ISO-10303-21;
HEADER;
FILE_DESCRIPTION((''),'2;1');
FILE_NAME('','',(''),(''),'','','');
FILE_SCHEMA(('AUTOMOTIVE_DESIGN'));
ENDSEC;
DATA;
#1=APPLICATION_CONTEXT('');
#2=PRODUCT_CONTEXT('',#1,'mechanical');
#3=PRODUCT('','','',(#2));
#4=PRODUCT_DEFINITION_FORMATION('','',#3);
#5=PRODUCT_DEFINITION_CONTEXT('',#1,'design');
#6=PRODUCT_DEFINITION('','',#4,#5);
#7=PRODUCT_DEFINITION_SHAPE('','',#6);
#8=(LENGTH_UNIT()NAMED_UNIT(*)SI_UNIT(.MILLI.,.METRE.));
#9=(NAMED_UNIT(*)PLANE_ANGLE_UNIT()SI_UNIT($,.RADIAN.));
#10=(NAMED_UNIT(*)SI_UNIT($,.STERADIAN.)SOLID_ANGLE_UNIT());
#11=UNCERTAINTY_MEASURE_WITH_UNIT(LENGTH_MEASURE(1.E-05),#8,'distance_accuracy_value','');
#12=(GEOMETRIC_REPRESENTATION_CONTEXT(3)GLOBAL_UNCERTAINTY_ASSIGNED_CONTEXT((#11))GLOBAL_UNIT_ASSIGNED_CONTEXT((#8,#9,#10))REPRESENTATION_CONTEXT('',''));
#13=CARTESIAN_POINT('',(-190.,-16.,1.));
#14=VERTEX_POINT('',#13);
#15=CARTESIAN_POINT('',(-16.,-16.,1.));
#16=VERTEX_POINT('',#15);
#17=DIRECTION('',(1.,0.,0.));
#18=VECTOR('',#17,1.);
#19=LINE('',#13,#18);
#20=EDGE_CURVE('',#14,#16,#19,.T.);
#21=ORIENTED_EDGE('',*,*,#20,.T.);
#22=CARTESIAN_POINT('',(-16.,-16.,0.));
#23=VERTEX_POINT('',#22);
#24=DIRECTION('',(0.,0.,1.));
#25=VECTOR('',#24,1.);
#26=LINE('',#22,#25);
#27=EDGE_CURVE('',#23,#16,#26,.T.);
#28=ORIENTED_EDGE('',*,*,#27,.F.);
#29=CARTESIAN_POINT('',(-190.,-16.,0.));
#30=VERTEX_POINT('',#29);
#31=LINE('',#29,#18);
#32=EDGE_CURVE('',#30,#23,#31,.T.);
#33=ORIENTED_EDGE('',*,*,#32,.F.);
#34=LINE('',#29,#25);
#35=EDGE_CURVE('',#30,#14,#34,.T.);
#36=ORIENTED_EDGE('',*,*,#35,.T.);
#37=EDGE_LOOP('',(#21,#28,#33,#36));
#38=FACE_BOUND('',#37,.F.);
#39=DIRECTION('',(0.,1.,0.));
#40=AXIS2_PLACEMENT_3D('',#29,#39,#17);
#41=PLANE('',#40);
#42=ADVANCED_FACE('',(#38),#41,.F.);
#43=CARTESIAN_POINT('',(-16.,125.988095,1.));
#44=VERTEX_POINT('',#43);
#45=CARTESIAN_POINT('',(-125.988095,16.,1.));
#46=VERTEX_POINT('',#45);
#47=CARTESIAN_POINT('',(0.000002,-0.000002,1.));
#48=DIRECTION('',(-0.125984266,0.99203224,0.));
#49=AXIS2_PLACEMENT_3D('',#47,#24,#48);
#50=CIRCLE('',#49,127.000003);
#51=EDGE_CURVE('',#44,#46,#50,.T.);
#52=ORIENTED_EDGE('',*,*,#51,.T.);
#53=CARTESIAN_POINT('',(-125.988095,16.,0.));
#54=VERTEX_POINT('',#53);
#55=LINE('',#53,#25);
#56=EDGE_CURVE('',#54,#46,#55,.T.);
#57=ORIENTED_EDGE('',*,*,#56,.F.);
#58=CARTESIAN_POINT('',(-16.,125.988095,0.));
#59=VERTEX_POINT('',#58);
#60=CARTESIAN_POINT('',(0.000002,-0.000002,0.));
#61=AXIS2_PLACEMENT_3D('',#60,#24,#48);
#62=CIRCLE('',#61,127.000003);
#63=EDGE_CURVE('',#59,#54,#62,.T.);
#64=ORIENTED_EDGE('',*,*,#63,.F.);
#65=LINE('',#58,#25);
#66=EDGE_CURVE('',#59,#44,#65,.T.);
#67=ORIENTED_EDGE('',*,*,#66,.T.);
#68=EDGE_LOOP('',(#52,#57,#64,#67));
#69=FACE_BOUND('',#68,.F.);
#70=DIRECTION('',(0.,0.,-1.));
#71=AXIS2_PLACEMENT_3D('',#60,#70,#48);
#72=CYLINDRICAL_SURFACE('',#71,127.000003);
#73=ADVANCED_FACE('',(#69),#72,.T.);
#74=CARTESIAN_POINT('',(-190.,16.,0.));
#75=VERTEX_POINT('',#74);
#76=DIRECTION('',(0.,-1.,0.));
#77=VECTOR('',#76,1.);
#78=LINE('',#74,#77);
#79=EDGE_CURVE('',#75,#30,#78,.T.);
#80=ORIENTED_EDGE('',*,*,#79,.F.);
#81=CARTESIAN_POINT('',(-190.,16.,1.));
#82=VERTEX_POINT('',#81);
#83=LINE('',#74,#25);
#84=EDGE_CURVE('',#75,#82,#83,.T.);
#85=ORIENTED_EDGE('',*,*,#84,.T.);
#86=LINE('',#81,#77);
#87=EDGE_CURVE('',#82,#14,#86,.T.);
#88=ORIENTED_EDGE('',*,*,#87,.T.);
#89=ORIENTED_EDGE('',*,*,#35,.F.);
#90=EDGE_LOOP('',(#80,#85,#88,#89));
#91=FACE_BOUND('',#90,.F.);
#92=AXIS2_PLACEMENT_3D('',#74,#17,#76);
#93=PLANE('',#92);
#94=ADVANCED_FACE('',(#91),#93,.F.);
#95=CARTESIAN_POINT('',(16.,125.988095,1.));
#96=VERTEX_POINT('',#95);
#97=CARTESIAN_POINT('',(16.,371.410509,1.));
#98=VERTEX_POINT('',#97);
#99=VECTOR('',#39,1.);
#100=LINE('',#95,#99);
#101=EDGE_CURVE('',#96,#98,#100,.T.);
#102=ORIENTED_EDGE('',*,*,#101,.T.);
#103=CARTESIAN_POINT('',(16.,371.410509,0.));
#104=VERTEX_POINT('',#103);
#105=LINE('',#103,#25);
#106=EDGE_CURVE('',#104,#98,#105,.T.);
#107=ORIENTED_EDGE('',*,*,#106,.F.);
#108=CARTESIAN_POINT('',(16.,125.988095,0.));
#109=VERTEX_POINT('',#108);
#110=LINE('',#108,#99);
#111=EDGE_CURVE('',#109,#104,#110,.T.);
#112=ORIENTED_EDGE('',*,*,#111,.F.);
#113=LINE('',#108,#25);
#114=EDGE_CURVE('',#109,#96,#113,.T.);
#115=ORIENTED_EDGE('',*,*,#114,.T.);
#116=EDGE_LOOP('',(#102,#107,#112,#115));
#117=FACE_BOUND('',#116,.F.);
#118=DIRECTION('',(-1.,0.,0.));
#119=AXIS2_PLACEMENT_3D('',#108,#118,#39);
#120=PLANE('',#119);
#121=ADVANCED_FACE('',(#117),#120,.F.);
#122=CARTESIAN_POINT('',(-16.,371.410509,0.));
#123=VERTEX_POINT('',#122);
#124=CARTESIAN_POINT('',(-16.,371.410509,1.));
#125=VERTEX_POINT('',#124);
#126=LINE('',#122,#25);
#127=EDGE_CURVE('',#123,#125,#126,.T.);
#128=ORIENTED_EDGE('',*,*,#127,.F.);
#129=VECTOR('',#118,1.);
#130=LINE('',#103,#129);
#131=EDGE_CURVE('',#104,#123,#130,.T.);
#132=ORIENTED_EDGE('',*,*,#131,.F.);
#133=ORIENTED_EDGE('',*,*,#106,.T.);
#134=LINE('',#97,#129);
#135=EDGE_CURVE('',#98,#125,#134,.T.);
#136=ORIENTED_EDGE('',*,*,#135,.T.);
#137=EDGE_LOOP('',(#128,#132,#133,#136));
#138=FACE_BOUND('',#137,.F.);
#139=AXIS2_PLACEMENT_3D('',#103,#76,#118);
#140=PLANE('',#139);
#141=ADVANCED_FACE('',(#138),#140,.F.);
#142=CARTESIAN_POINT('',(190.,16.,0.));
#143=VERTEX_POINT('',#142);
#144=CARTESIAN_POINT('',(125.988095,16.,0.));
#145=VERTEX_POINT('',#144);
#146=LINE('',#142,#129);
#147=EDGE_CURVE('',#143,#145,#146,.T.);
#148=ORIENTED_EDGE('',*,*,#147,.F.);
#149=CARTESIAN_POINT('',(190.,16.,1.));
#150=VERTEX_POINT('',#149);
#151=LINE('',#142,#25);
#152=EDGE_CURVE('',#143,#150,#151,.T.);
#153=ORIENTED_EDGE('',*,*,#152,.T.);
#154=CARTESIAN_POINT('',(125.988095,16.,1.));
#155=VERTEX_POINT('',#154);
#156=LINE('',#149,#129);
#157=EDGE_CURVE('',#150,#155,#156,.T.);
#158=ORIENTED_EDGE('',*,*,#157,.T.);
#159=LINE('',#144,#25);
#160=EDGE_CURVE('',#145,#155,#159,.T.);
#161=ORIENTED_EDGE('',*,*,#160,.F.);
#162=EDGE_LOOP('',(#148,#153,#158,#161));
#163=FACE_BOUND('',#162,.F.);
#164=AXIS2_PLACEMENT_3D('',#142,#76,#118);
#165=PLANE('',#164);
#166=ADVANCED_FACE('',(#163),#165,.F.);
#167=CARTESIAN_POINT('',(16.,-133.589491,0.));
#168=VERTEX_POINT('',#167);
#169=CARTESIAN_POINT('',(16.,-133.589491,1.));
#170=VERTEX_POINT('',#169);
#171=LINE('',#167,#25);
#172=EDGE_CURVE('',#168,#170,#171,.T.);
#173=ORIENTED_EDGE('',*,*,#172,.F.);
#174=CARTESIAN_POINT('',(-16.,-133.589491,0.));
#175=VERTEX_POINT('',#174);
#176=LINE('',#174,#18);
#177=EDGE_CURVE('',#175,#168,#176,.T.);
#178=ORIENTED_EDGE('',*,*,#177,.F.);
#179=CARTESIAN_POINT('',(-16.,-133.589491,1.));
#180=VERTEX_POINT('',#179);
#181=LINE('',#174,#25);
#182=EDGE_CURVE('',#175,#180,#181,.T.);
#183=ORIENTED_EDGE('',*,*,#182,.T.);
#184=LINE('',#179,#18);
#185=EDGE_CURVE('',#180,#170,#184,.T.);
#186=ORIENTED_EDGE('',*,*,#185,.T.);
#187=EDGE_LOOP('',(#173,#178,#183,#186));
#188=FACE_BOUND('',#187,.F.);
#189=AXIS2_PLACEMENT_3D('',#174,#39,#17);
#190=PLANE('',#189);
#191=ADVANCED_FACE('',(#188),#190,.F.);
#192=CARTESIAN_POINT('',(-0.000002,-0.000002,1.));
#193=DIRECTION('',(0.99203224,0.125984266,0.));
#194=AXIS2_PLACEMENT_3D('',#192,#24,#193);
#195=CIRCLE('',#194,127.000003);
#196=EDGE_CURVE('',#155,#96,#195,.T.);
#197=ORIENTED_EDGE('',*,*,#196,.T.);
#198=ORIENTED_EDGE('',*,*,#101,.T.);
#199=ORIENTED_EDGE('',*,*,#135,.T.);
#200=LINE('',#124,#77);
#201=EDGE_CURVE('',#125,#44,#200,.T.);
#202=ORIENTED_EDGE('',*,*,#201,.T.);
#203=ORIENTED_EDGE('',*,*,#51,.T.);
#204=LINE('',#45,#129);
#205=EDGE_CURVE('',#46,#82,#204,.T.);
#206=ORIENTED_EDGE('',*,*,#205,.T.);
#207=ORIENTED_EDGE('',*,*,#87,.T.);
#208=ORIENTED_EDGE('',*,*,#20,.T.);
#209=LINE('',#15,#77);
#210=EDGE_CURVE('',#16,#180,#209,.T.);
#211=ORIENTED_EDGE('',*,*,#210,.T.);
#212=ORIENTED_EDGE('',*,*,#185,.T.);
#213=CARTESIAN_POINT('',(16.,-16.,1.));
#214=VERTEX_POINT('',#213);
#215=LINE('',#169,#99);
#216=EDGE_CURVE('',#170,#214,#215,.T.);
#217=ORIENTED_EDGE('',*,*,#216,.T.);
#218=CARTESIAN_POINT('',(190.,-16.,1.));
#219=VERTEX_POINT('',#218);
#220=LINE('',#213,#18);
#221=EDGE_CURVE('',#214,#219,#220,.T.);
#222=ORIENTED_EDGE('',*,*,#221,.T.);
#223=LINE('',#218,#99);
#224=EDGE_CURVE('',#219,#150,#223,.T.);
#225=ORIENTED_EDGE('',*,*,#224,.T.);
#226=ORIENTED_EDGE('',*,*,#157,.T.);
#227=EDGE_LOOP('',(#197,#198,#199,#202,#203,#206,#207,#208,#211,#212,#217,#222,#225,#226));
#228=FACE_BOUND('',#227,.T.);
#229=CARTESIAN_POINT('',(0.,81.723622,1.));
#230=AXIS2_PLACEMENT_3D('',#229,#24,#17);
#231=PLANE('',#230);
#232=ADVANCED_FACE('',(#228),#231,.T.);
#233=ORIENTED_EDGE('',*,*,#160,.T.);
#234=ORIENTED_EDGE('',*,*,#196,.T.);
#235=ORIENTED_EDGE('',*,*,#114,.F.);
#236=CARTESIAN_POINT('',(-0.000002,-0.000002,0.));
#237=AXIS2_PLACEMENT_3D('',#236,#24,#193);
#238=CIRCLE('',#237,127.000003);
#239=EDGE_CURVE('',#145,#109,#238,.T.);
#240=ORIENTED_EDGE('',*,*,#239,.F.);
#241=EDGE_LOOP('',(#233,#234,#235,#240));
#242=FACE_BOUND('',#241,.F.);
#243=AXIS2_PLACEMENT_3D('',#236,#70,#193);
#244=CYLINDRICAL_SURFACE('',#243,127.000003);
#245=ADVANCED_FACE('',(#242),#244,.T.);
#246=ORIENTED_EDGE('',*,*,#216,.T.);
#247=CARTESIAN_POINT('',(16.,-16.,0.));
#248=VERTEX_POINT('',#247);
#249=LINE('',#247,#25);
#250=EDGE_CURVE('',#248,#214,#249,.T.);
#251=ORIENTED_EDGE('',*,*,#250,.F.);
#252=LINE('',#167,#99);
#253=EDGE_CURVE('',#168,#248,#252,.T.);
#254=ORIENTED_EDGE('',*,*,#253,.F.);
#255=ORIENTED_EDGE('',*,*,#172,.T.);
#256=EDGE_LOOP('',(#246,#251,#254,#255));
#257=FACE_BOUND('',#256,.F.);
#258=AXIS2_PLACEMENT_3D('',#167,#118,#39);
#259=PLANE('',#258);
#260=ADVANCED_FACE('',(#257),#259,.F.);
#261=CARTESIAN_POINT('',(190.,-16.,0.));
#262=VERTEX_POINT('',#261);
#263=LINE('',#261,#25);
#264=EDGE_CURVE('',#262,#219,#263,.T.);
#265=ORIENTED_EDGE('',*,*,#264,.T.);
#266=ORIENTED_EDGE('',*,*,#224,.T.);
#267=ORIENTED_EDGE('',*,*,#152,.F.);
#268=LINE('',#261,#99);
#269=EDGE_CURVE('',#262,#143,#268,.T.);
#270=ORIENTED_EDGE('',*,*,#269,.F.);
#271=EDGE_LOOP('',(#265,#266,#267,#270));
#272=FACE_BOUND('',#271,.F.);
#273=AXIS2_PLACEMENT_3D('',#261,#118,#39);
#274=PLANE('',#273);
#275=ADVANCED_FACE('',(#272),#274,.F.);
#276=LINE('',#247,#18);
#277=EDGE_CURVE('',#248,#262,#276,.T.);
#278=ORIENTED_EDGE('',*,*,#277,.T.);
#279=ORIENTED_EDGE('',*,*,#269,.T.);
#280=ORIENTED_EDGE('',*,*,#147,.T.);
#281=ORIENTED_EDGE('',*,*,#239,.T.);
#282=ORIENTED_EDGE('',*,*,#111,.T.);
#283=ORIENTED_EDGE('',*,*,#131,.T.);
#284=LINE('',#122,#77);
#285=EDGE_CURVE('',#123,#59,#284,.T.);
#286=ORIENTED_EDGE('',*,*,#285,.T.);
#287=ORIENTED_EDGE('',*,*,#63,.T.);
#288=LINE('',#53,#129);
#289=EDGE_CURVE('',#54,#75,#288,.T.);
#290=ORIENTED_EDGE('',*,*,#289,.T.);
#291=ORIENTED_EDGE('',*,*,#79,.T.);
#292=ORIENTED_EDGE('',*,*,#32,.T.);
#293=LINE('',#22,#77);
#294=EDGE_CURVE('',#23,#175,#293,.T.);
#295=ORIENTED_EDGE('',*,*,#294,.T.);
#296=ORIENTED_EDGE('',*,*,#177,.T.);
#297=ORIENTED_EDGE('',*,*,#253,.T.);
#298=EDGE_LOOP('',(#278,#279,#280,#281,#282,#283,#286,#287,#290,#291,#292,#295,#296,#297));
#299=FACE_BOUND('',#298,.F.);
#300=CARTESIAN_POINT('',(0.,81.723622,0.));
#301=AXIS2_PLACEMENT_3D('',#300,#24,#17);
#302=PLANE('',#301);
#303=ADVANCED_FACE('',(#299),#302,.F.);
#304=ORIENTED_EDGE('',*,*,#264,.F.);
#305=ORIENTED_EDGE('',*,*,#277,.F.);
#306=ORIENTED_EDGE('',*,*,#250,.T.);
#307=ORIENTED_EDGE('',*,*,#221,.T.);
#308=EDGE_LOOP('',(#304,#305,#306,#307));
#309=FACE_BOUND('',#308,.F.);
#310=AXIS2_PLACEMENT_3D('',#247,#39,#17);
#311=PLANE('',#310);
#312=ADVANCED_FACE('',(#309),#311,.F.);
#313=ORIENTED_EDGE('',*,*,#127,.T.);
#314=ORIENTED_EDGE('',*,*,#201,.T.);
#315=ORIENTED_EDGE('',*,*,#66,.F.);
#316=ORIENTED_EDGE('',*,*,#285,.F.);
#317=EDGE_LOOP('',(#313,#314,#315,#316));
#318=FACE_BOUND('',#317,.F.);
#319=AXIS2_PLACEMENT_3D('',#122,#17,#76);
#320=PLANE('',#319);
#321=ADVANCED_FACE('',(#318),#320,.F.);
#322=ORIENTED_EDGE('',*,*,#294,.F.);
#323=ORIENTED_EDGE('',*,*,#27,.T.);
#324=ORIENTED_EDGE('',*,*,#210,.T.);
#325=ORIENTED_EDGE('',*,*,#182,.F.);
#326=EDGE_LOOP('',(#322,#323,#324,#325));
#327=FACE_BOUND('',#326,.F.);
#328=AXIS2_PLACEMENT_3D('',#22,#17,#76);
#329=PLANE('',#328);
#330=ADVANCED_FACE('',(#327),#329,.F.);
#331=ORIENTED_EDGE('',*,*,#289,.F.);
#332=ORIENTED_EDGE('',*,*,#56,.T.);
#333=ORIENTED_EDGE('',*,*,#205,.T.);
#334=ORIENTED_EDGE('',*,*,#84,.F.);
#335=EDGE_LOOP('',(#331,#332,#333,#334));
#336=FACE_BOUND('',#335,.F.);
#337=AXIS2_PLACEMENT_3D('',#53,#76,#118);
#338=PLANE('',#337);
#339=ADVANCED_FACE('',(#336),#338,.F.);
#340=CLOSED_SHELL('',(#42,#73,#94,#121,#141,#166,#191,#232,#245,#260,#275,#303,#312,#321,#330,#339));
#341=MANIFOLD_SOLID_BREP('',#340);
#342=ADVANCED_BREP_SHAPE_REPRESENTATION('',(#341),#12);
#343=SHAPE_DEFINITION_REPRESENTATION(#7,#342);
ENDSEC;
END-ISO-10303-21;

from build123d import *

# Parameters (mm, degrees)
F1_DEPTH = 1


with BuildPart() as f1:
    # F0 (on Top) → F1 (new body)
    with BuildSketch(Plane.XY):
        with BuildLine():
            ThreePointArc((-16, 125.988095), (-89.802561, 89.802561), (-125.988095, 16))
            Line((-125.988095, 16), (-190, 16))
            Line((-190, 16), (-190, 0))
            Line((-190, 0), (-190, -16))
            Line((-190, -16), (-16, -16))
            Line((-16, -16), (-16, -133.589491))
            Line((-16, -133.589491), (0, -133.589491))
            Line((0, -133.589491), (16, -133.589491))
            Line((16, -133.589491), (16, -16))
            Line((16, -16), (190, -16))
            Line((190, -16), (190, 0))
            Line((190, 0), (190, 16))
            Line((190, 16), (125.988095, 16))
            ThreePointArc((125.988095, 16), (89.802561, 89.802561), (16, 125.988095))
            Line((16, 125.988095), (16, 371.410509))
            Line((16, 371.410509), (0, 371.410509))
            Line((0, 371.410509), (-16, 371.410509))
            Line((-16, 371.410509), (-16, 125.988095))
        make_face()
    extrude(amount=F1_DEPTH)


solid = f1.part
